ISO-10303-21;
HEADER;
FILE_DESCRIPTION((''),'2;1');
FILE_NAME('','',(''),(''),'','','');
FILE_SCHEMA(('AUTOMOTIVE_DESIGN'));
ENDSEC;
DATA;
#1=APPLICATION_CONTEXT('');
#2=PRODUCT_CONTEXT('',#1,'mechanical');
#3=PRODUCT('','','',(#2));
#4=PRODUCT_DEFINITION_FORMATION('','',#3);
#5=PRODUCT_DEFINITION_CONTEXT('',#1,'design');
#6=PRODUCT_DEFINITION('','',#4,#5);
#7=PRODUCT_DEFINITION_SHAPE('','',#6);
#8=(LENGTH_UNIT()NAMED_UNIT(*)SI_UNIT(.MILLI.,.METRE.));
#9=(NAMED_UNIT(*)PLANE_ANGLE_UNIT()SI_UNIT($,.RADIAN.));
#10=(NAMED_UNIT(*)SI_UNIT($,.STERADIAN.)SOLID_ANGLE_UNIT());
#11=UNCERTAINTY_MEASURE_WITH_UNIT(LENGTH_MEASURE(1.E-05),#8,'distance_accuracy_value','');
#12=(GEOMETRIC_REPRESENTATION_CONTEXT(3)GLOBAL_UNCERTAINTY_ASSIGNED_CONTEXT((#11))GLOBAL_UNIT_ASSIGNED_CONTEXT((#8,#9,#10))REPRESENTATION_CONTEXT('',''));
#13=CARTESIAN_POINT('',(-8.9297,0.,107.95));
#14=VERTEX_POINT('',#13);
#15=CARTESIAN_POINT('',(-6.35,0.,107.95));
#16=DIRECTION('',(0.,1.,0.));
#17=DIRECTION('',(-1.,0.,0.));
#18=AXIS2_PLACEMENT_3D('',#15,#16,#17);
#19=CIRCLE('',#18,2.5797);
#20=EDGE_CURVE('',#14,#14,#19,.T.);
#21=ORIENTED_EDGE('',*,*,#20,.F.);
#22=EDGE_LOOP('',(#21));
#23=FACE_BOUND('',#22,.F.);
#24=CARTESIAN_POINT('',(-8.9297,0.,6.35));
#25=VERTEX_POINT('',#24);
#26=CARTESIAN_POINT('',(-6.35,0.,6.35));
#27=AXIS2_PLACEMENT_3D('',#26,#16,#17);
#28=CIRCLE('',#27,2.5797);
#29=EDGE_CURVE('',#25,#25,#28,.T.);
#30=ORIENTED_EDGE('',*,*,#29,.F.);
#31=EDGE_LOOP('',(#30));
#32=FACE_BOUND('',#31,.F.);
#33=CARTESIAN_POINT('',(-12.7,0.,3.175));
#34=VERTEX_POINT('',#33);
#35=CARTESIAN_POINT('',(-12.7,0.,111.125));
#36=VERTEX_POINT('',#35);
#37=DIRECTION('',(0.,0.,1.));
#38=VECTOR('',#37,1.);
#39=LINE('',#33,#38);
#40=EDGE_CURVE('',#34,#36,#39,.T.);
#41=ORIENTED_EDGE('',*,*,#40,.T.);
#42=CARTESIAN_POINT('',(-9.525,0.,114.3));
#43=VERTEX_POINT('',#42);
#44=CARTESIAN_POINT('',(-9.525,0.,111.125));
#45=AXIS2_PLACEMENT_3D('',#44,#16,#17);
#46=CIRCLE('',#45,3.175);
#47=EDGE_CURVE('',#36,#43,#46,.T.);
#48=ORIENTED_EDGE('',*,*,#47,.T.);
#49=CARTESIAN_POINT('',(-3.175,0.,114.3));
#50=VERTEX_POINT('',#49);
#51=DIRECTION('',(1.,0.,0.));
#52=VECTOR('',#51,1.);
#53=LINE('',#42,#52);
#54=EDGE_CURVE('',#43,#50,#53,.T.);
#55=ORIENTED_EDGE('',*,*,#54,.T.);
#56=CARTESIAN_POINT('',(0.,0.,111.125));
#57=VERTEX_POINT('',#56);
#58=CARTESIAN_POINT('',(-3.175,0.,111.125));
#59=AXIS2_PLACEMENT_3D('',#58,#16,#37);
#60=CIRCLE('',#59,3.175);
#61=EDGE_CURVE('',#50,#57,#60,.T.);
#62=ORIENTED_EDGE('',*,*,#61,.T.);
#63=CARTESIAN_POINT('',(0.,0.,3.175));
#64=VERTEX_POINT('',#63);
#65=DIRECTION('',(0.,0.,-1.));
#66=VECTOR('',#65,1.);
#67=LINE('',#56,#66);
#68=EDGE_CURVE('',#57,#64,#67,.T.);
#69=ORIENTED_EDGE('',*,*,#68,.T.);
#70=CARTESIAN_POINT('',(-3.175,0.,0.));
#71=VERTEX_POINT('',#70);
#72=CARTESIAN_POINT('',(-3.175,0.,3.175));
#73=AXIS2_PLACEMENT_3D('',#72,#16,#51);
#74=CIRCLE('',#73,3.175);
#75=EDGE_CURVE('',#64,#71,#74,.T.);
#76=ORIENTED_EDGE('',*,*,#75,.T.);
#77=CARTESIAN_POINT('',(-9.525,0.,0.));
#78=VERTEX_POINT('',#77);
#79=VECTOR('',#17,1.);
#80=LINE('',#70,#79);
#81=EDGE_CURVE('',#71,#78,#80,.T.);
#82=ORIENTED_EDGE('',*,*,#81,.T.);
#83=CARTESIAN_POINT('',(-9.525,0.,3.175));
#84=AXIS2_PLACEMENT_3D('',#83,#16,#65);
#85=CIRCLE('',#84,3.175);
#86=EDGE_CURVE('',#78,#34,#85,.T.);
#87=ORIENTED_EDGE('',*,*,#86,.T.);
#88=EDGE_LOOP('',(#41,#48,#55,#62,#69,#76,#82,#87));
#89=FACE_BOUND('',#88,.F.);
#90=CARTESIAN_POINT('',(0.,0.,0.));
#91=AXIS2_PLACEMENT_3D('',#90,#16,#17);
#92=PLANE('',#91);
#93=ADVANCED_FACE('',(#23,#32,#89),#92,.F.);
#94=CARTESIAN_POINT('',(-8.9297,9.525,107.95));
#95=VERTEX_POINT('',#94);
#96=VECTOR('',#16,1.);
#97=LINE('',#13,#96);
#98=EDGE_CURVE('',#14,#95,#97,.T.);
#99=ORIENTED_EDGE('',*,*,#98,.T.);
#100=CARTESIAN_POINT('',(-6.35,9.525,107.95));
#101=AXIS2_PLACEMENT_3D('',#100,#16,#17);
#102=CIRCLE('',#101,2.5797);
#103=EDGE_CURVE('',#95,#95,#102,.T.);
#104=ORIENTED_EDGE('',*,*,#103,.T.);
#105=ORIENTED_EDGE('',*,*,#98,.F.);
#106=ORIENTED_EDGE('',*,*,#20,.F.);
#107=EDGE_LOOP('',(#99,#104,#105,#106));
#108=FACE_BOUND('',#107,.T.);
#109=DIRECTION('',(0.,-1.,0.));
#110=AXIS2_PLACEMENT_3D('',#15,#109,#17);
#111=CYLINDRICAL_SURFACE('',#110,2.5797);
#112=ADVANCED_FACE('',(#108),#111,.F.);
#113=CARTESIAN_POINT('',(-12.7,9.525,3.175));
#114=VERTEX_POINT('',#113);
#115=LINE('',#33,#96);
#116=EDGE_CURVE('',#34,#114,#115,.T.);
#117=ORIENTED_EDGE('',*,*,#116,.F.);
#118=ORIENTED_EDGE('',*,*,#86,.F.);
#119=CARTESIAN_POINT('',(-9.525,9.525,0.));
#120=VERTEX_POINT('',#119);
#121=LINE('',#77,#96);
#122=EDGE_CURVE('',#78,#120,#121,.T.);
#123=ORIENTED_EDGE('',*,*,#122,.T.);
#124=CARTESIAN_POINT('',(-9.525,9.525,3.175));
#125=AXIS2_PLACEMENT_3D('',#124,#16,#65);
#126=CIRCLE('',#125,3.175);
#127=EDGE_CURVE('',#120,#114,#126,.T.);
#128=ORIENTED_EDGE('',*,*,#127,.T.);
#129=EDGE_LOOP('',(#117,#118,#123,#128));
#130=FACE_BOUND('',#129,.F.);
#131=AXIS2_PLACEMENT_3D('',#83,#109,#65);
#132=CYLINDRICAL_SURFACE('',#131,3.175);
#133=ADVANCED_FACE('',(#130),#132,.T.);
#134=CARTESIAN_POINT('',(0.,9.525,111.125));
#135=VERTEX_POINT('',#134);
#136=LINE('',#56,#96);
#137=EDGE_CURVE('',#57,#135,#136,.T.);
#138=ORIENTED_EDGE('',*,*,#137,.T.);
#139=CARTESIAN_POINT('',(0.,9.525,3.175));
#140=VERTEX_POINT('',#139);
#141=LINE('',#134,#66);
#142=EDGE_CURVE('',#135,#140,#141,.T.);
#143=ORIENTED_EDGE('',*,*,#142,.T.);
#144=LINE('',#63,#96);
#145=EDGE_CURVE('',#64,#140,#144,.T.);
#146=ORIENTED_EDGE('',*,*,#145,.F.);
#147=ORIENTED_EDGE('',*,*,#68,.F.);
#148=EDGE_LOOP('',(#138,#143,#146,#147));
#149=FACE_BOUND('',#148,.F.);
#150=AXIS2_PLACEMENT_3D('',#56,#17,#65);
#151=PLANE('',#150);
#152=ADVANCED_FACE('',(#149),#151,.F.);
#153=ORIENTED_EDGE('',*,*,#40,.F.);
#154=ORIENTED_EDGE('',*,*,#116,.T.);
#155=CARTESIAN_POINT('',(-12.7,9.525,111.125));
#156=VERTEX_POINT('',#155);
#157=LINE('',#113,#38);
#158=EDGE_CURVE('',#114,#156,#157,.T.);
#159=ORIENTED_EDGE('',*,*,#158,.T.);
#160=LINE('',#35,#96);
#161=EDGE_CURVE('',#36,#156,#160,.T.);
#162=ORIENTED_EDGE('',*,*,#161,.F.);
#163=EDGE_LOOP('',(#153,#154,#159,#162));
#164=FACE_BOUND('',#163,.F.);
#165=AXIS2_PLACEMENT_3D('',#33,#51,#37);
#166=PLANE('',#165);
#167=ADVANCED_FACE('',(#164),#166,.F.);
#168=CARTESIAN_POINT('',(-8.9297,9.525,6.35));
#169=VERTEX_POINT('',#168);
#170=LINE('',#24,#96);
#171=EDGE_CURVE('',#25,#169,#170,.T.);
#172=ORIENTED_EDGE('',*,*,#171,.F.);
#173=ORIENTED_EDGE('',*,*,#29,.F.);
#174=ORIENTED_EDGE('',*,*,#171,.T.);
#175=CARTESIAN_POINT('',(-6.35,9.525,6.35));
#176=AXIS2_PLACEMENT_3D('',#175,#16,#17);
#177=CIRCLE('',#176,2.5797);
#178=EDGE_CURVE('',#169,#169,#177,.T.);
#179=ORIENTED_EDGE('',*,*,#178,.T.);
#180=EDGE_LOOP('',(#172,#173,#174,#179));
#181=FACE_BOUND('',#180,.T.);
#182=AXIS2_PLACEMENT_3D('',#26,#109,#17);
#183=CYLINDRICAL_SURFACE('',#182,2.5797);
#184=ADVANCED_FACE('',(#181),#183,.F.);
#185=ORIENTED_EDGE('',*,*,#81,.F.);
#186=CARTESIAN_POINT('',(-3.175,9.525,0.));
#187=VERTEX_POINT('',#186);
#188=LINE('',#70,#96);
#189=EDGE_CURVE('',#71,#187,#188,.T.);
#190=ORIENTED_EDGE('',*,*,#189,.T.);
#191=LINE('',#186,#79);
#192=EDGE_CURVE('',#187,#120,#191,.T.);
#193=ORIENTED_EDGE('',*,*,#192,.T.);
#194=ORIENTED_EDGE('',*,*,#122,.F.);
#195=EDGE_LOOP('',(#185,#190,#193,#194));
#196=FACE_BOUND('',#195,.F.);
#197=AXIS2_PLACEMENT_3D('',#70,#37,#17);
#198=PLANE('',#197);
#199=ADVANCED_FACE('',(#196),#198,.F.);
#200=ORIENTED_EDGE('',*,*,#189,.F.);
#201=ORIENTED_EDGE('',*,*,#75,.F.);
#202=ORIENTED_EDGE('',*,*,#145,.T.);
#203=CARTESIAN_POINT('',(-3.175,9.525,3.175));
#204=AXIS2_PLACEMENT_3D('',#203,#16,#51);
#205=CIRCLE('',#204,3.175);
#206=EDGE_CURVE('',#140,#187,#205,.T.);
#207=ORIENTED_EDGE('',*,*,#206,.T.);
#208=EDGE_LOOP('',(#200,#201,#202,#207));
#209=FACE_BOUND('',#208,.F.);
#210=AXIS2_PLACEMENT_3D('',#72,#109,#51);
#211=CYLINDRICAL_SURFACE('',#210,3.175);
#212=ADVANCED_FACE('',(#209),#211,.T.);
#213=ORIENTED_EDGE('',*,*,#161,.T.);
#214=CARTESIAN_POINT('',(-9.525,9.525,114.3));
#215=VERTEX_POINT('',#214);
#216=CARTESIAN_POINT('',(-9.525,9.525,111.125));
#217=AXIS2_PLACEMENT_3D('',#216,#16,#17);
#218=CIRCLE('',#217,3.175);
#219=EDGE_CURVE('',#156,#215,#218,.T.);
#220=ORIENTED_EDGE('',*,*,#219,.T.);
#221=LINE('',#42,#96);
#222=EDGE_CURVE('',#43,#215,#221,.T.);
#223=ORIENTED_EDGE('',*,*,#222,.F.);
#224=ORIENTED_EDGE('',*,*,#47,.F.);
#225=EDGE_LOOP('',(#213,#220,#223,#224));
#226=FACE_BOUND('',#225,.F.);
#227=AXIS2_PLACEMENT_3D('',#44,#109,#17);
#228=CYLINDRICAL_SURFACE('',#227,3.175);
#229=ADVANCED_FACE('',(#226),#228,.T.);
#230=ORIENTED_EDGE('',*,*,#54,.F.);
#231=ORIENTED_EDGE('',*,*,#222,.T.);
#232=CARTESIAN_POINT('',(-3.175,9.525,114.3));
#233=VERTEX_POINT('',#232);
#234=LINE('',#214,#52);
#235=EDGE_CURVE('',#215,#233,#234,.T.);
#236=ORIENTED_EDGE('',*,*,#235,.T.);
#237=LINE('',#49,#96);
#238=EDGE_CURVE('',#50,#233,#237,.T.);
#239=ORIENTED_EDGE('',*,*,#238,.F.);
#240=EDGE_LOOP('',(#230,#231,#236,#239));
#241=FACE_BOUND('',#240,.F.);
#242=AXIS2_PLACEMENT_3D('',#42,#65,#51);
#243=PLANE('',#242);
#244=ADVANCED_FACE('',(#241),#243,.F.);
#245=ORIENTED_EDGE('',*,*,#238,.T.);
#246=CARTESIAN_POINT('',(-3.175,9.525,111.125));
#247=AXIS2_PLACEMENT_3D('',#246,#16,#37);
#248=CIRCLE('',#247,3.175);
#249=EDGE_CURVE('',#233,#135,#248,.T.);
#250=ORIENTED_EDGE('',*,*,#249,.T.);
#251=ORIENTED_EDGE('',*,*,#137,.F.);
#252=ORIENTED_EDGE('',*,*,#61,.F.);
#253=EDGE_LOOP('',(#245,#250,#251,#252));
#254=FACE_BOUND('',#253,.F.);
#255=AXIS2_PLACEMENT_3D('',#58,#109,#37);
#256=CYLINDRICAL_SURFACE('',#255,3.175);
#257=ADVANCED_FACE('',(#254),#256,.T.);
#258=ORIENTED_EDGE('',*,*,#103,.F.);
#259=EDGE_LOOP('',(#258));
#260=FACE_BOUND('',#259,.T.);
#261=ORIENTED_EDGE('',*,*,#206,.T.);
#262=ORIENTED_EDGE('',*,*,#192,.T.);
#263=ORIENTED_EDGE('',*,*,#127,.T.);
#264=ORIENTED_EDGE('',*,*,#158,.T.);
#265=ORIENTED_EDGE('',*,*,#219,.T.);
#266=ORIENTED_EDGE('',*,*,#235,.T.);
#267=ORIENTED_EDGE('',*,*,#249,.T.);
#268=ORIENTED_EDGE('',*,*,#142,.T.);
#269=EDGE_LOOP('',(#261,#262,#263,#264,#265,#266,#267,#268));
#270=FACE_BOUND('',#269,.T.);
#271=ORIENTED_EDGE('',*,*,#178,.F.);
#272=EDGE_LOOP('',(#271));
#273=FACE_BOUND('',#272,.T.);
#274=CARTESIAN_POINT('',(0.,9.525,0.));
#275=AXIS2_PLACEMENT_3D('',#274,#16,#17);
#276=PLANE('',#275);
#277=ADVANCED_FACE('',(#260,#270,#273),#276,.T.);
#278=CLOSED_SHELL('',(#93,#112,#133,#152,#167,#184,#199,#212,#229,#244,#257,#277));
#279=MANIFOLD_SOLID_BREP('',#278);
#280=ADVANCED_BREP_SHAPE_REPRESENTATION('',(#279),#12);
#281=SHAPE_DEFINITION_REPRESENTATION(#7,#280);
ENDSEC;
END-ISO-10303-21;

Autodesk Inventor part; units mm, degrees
ref_plane "YZ Plane" through (0, 0, 0) normal (1, 0, 0) x (0, 1, 0)
ref_plane "XZ Plane" through (0, 0, 0) normal (0, 1, 0) x (-1, 0, 0)
ref_plane "XY Plane" through (0, 0, 0) normal (0, 0, 1) x (1, 0, 0)
sketch "Sketch1" plane through (0, 0, 0) normal (0, 1, 0) x (-1, 0, 0)
  line L0 (3.175, 0) -> (9.525, 0)
  line L1 (12.7, 3.175) -> (12.7, 111.125)
  line L2 (9.525, 114.3) -> (3.175, 114.3)
  line L3 (0, 111.125) -> (0, 3.175)
  circle A0 centre (6.35, 107.95) radius 2.5797
  circle A1 centre (6.35, 6.35) radius 2.5797
  arc A2 (12.7, 111.125) -> (9.525, 114.3) centre (9.525, 111.125) ccw
  arc A3 (3.175, 114.3) -> (0, 111.125) centre (3.175, 111.125) ccw
  arc A4 (0, 3.175) -> (3.175, 0) centre (3.175, 3.175) ccw
  arc A5 (9.525, 0) -> (12.7, 3.175) centre (9.525, 3.175) ccw
  point P0 (0, 0)
  point P1 (12.7, 114.3)
  point P2 (0, 114.3)
  dimension "d0" = 12.7
  dimension "d1" = 114.3
  dimension "d2" = 6.35
  dimension "d3" = 6.35
  dimension "d4" = 6.35
  dimension "d5" = 6.35
  dimension "d6" = 5.1594
  dimension "d7" = 3.175
extrude "Extrusion1" add sketch "Sketch1" along normal blind 9.525
equation "\"d2\" = 0.5 * d0"
equation "\"d3\" = d2"
equation "\"d4\" = d3"
equation "\"d5\" = d4"
properties part number "Pusher"
